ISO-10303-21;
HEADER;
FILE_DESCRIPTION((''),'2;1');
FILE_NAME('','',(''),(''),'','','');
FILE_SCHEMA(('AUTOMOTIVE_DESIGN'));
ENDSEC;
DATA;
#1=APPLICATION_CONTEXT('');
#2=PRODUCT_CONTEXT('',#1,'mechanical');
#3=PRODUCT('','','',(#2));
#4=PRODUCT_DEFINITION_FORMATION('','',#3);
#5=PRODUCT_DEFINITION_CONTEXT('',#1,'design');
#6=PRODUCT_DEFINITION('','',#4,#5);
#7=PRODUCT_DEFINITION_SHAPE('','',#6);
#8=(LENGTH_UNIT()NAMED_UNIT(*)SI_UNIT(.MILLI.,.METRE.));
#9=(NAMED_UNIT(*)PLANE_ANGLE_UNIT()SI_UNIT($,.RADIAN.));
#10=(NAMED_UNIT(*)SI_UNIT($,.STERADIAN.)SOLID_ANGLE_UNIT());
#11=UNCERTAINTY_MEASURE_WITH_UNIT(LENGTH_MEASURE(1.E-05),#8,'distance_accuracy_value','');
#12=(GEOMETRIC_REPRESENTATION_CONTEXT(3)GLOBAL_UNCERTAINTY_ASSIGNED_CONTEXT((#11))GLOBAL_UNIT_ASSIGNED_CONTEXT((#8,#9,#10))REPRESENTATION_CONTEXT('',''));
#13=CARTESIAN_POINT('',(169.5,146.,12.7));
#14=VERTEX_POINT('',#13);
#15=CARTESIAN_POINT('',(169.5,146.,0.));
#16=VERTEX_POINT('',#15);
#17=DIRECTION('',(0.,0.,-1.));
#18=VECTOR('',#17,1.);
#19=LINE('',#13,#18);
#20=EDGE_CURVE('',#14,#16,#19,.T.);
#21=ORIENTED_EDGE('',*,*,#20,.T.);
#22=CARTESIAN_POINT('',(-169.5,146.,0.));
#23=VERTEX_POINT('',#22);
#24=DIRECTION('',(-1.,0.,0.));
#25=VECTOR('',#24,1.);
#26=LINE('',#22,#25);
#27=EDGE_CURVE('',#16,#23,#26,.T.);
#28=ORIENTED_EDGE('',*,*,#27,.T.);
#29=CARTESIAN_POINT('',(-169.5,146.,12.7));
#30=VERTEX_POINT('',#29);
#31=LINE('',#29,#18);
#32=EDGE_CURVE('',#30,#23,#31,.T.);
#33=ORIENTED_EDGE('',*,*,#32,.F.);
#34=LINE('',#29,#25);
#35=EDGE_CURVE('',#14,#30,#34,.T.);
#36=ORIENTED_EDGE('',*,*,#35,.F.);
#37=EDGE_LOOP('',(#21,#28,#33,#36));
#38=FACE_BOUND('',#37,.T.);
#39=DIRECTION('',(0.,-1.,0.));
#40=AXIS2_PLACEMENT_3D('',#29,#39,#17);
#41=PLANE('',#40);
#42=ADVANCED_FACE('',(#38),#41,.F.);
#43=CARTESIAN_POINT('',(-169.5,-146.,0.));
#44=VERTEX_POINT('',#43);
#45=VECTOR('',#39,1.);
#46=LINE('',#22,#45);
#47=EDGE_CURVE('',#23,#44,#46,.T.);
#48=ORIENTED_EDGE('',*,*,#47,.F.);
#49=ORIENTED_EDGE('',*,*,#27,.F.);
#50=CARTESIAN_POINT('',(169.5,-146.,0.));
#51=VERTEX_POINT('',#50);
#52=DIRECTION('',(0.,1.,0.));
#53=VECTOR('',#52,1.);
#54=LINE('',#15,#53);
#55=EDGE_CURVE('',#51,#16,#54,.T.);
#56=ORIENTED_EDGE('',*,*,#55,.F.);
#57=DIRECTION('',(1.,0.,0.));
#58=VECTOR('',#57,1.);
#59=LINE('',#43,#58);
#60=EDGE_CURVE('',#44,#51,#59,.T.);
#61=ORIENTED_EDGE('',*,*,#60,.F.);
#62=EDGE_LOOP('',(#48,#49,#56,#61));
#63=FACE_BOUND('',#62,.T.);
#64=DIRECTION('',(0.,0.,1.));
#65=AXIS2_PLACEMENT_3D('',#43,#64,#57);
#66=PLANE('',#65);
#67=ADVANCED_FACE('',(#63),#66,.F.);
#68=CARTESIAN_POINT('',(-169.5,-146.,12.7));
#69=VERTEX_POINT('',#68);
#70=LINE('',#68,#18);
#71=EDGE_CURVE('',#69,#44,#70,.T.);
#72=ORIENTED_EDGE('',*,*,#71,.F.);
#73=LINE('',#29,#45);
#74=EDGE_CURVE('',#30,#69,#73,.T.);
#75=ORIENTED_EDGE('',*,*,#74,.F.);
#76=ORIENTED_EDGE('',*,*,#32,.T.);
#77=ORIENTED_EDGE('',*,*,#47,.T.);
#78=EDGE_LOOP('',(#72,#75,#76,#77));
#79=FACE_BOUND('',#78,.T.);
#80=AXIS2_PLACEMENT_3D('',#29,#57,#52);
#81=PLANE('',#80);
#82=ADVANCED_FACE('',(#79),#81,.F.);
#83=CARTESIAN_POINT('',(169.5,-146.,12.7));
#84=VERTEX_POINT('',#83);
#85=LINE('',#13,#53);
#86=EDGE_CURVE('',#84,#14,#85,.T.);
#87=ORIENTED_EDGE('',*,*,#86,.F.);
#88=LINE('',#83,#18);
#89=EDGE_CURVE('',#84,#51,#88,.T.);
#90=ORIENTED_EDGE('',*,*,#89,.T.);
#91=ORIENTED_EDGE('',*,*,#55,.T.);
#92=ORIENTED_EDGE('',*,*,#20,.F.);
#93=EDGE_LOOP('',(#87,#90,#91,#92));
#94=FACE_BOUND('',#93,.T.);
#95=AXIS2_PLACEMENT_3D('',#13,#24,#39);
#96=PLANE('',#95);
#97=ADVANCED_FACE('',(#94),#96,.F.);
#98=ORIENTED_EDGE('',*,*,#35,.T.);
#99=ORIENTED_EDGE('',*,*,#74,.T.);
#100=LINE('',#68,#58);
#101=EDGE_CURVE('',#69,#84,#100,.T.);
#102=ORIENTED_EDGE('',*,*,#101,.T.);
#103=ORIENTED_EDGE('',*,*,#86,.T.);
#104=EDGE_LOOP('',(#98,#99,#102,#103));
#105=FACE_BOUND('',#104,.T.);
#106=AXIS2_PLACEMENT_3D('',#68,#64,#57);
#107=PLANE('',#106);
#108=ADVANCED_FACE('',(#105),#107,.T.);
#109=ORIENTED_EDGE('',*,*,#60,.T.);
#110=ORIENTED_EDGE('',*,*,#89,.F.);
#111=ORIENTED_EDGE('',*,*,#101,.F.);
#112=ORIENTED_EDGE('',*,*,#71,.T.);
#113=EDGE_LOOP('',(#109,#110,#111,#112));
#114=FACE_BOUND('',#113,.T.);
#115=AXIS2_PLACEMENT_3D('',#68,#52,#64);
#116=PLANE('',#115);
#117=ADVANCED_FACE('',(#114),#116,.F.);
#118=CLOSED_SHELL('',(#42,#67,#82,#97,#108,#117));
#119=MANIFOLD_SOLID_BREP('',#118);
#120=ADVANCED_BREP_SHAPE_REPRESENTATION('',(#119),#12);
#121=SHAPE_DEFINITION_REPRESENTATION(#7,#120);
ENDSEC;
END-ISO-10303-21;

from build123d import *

# Parameters (mm, degrees)
CROQUIS1_W              = 339
CROQUIS1_H              = 292
SALIENTE_EXTRUIR1_DEPTH = 12.7


with BuildPart() as part:
    # Croquis1 → Saliente-Extruir1 (new body)
    with BuildSketch(Plane.XY):
        Rectangle(CROQUIS1_W, CROQUIS1_H)
    extrude(amount=SALIENTE_EXTRUIR1_DEPTH)


solid = part.part
